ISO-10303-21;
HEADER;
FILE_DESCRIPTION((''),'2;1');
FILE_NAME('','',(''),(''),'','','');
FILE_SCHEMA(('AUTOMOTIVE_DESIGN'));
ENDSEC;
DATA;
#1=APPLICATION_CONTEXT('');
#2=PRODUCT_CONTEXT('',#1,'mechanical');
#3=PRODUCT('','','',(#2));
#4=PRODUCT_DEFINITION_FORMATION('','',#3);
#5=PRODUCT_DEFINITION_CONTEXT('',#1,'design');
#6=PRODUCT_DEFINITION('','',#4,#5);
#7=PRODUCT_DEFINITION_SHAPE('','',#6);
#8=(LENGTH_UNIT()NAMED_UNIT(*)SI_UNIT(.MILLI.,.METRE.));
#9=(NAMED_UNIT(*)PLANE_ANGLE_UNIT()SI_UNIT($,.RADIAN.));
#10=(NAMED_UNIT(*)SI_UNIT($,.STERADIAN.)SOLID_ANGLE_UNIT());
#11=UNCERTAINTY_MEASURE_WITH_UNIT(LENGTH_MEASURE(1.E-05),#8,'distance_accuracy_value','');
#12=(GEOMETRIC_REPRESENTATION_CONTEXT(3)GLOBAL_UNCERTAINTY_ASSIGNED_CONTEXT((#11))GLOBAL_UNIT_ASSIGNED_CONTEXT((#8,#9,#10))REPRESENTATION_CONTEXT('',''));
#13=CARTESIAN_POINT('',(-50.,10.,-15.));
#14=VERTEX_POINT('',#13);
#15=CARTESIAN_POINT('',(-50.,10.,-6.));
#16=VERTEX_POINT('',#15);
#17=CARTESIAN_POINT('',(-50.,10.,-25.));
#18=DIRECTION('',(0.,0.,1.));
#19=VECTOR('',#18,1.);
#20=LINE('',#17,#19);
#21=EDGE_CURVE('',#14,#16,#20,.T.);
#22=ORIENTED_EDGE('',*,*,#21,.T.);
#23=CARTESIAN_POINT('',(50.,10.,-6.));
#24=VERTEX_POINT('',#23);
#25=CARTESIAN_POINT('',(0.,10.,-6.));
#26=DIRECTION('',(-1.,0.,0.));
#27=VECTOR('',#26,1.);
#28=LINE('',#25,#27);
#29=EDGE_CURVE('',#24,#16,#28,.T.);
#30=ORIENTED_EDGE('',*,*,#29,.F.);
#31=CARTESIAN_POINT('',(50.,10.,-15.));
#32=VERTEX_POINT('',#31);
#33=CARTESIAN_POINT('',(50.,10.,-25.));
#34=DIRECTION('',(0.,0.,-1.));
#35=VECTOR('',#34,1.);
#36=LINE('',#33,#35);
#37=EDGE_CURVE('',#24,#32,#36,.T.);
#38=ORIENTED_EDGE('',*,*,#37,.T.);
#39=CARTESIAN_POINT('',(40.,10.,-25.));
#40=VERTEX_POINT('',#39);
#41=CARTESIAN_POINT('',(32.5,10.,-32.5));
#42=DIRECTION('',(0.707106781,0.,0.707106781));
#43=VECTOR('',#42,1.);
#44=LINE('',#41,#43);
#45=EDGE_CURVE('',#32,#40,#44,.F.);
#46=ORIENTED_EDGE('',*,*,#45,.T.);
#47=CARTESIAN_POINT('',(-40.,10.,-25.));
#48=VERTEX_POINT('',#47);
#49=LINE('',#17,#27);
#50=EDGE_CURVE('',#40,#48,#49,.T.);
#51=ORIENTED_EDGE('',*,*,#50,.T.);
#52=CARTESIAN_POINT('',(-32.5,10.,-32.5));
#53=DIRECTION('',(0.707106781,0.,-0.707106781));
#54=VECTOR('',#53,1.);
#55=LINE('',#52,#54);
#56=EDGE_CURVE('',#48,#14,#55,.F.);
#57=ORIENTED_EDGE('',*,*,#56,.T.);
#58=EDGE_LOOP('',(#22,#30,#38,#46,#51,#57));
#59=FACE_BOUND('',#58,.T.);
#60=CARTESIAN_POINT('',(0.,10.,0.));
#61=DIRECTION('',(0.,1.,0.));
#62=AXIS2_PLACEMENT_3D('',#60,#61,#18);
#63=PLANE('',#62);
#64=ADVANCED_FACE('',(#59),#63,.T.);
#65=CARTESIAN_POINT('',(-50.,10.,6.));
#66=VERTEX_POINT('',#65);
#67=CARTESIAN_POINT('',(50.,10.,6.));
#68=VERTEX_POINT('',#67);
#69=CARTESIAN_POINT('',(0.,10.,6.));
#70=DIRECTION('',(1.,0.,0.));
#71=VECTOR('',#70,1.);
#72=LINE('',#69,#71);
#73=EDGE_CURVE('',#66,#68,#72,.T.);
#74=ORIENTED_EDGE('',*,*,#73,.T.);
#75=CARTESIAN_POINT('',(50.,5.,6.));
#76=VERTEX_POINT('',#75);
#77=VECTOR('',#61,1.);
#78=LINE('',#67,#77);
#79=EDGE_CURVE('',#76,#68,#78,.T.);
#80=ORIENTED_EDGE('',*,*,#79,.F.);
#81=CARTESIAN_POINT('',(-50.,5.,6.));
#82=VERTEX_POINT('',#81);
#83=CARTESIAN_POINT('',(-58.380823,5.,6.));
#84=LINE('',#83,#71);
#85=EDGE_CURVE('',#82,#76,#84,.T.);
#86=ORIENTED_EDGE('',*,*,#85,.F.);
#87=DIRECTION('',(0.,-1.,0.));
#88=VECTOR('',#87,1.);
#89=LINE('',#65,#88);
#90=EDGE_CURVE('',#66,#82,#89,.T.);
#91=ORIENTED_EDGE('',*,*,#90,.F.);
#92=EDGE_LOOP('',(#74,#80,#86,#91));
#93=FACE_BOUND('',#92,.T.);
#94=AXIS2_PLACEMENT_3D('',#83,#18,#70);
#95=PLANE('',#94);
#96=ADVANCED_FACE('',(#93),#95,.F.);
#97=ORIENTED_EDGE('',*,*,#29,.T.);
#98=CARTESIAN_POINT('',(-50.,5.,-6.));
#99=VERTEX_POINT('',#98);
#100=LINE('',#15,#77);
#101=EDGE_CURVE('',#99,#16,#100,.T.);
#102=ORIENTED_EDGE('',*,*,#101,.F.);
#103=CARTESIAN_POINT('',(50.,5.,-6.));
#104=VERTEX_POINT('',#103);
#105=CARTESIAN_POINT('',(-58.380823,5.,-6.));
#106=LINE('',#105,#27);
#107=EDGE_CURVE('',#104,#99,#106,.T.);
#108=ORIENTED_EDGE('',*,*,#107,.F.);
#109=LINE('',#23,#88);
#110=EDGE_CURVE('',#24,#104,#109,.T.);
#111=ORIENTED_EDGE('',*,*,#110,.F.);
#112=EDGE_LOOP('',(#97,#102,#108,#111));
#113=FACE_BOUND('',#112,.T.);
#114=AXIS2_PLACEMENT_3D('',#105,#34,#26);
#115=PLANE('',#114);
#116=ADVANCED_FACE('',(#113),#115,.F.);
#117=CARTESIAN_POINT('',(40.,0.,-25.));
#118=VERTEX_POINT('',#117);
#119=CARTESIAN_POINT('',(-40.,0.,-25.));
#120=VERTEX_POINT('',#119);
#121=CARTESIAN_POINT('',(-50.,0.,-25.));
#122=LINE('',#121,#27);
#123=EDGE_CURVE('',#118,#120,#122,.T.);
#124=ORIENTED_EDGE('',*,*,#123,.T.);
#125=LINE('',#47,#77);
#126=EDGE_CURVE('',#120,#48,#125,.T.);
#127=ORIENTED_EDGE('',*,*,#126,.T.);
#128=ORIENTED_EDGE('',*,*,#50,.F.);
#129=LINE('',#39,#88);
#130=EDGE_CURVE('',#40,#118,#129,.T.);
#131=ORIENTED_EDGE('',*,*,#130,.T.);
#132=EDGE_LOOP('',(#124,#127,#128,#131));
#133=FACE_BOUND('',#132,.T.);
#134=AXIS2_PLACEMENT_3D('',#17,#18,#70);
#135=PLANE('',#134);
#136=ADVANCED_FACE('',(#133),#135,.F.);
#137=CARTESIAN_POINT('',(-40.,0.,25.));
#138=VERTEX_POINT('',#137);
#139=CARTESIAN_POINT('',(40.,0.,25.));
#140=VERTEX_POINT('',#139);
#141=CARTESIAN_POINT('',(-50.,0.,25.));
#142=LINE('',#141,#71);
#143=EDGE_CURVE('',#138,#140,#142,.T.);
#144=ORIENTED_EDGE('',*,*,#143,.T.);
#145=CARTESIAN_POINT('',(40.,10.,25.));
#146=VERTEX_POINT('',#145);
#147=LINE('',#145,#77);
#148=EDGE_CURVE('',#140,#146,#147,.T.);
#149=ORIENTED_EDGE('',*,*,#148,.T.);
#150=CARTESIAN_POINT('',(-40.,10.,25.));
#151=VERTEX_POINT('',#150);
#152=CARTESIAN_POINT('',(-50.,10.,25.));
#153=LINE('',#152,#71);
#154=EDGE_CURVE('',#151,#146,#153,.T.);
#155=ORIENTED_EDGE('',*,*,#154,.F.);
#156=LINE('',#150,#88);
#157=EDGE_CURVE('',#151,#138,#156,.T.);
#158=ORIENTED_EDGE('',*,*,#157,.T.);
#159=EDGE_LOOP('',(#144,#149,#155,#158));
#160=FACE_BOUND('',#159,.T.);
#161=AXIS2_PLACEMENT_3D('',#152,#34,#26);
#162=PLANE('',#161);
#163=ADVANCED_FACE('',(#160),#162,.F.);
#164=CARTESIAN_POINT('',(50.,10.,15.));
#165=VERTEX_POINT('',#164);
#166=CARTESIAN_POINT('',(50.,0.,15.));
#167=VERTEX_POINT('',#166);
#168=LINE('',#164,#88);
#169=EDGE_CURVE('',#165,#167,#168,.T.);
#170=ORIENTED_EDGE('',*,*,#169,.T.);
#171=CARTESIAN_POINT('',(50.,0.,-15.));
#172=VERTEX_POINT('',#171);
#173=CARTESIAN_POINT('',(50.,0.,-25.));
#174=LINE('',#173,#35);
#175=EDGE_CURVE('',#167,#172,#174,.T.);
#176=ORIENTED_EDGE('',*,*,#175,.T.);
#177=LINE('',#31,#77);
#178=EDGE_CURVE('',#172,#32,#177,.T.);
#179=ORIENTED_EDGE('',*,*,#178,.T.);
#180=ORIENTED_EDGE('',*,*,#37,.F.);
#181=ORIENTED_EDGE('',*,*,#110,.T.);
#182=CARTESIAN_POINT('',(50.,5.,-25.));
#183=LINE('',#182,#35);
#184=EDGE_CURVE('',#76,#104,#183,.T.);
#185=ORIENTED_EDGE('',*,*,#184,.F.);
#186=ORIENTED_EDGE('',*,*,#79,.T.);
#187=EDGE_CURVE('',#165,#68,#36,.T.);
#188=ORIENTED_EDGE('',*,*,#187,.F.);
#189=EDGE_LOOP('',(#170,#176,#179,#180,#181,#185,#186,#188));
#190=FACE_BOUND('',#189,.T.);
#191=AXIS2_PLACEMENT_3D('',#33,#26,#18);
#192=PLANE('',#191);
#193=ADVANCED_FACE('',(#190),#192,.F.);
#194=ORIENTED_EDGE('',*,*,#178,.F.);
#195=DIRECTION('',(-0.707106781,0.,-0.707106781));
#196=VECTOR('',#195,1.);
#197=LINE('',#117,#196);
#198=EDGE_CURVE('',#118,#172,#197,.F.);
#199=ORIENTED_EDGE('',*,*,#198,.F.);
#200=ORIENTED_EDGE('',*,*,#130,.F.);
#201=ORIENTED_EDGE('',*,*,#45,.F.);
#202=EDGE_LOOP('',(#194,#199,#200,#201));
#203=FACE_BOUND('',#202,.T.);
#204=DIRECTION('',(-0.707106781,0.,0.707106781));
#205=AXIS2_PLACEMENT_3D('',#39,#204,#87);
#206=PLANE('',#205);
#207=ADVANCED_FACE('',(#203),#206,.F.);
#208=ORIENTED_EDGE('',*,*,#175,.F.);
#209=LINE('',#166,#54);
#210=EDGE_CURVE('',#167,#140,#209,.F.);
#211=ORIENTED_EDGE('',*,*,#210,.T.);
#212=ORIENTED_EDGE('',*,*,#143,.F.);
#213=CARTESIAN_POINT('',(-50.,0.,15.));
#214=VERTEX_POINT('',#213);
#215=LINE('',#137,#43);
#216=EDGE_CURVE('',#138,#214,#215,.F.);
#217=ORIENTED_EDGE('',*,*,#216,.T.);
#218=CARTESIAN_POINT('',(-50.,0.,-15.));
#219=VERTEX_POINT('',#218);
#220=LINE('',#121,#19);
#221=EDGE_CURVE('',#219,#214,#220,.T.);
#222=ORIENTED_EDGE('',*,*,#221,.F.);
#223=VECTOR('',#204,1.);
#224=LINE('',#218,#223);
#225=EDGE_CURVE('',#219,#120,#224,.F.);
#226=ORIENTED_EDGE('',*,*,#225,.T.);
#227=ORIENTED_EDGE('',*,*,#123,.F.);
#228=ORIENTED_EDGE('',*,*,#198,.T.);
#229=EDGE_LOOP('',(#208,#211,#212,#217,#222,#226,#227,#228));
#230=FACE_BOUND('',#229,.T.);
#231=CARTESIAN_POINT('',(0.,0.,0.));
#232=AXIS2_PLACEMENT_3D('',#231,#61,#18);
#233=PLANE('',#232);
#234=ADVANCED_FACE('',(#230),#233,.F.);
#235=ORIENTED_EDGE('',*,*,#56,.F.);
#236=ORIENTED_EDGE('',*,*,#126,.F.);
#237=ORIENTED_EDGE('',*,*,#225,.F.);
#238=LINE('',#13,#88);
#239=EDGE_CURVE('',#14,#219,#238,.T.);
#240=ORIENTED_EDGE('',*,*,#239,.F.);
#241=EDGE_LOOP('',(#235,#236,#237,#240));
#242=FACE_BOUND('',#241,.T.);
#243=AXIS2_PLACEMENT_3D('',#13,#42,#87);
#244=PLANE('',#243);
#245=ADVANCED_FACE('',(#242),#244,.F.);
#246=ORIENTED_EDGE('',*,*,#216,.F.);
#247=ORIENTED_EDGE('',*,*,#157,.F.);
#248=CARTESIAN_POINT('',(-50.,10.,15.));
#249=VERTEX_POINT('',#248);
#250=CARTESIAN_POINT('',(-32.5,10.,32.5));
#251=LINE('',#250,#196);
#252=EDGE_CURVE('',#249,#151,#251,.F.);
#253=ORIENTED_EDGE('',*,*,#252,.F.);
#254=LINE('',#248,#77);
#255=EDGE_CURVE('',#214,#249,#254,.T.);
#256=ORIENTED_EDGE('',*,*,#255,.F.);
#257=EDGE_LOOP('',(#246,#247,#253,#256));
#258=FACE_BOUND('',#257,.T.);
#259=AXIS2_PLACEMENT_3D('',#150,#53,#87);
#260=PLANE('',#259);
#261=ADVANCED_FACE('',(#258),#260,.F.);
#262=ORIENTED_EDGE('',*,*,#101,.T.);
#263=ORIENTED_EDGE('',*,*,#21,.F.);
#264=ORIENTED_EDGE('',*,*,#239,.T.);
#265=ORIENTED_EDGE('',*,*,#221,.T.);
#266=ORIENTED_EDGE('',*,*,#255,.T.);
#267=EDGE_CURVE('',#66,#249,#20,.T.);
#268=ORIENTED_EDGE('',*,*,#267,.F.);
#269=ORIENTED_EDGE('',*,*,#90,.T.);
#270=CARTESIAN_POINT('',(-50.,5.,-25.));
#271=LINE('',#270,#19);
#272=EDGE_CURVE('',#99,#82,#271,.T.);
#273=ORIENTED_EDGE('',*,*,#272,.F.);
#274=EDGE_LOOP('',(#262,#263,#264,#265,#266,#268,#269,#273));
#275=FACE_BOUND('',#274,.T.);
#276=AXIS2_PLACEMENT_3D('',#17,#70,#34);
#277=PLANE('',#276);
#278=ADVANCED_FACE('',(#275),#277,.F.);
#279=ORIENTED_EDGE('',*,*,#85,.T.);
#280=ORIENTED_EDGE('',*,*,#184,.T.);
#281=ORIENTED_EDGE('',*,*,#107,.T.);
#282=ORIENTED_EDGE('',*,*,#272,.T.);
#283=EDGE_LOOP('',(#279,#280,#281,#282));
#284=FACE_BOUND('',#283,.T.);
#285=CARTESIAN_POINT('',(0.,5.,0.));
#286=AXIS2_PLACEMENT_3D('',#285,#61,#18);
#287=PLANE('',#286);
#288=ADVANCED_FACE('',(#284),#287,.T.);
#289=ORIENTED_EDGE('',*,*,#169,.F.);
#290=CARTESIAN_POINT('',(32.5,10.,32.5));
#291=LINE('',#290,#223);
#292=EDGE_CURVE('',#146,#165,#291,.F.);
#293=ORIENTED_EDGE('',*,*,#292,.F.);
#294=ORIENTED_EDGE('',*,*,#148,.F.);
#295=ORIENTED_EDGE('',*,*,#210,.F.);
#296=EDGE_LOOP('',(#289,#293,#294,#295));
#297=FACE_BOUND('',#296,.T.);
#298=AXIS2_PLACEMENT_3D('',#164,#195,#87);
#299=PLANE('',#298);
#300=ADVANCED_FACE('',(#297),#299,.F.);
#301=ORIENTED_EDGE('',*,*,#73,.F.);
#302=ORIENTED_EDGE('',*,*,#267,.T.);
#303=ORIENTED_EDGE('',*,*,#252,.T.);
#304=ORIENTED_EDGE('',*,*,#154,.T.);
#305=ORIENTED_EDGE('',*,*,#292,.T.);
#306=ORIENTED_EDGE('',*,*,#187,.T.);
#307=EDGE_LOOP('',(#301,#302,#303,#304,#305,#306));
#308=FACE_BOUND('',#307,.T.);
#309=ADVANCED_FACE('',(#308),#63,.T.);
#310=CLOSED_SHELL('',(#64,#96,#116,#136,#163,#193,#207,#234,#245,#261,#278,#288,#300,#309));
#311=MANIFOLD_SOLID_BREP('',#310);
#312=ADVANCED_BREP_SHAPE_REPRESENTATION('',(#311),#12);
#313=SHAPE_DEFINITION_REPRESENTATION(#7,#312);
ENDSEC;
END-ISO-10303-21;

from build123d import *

# Parameters (mm, degrees)
SKETCH1_W           = 100
SKETCH1_H           = 50
BOSS_EXTRUDE1_DEPTH = 10
CHAMFER1_SIZE       = 10
SKETCH2_W           = 113.165724781
SKETCH2_H           = 12
CUT_EXTRUDE1_DEPTH  = 5


with BuildPart() as part:
    # Sketch1 → Boss-Extrude1 (new body)
    with BuildSketch(Plane(origin=(0, 0, 0), x_dir=(1, 0, 0), z_dir=(0, 1, 0))):
        Rectangle(SKETCH1_W, SKETCH1_H)
    extrude(amount=BOSS_EXTRUDE1_DEPTH)

    # Chamfer1
    chamfer1_edges = [part.edges().sort_by_distance(p)[0] for p in [
        (-50, 5, -25),
        (50, 5, -25),
        (50, 5, 25),
        (-50, 5, 25),
    ]]
    chamfer(chamfer1_edges, length=CHAMFER1_SIZE)

    # Sketch2 → Cut-Extrude1 (cut)
    with BuildSketch(Plane(origin=(0, 10, 0), x_dir=(1, 0, 0), z_dir=(0, 1, 0))):
        with Locations((-1.797960114, 0)):
            Rectangle(SKETCH2_W, SKETCH2_H)
    extrude(amount=-CUT_EXTRUDE1_DEPTH, mode=Mode.SUBTRACT)


solid = part.part
